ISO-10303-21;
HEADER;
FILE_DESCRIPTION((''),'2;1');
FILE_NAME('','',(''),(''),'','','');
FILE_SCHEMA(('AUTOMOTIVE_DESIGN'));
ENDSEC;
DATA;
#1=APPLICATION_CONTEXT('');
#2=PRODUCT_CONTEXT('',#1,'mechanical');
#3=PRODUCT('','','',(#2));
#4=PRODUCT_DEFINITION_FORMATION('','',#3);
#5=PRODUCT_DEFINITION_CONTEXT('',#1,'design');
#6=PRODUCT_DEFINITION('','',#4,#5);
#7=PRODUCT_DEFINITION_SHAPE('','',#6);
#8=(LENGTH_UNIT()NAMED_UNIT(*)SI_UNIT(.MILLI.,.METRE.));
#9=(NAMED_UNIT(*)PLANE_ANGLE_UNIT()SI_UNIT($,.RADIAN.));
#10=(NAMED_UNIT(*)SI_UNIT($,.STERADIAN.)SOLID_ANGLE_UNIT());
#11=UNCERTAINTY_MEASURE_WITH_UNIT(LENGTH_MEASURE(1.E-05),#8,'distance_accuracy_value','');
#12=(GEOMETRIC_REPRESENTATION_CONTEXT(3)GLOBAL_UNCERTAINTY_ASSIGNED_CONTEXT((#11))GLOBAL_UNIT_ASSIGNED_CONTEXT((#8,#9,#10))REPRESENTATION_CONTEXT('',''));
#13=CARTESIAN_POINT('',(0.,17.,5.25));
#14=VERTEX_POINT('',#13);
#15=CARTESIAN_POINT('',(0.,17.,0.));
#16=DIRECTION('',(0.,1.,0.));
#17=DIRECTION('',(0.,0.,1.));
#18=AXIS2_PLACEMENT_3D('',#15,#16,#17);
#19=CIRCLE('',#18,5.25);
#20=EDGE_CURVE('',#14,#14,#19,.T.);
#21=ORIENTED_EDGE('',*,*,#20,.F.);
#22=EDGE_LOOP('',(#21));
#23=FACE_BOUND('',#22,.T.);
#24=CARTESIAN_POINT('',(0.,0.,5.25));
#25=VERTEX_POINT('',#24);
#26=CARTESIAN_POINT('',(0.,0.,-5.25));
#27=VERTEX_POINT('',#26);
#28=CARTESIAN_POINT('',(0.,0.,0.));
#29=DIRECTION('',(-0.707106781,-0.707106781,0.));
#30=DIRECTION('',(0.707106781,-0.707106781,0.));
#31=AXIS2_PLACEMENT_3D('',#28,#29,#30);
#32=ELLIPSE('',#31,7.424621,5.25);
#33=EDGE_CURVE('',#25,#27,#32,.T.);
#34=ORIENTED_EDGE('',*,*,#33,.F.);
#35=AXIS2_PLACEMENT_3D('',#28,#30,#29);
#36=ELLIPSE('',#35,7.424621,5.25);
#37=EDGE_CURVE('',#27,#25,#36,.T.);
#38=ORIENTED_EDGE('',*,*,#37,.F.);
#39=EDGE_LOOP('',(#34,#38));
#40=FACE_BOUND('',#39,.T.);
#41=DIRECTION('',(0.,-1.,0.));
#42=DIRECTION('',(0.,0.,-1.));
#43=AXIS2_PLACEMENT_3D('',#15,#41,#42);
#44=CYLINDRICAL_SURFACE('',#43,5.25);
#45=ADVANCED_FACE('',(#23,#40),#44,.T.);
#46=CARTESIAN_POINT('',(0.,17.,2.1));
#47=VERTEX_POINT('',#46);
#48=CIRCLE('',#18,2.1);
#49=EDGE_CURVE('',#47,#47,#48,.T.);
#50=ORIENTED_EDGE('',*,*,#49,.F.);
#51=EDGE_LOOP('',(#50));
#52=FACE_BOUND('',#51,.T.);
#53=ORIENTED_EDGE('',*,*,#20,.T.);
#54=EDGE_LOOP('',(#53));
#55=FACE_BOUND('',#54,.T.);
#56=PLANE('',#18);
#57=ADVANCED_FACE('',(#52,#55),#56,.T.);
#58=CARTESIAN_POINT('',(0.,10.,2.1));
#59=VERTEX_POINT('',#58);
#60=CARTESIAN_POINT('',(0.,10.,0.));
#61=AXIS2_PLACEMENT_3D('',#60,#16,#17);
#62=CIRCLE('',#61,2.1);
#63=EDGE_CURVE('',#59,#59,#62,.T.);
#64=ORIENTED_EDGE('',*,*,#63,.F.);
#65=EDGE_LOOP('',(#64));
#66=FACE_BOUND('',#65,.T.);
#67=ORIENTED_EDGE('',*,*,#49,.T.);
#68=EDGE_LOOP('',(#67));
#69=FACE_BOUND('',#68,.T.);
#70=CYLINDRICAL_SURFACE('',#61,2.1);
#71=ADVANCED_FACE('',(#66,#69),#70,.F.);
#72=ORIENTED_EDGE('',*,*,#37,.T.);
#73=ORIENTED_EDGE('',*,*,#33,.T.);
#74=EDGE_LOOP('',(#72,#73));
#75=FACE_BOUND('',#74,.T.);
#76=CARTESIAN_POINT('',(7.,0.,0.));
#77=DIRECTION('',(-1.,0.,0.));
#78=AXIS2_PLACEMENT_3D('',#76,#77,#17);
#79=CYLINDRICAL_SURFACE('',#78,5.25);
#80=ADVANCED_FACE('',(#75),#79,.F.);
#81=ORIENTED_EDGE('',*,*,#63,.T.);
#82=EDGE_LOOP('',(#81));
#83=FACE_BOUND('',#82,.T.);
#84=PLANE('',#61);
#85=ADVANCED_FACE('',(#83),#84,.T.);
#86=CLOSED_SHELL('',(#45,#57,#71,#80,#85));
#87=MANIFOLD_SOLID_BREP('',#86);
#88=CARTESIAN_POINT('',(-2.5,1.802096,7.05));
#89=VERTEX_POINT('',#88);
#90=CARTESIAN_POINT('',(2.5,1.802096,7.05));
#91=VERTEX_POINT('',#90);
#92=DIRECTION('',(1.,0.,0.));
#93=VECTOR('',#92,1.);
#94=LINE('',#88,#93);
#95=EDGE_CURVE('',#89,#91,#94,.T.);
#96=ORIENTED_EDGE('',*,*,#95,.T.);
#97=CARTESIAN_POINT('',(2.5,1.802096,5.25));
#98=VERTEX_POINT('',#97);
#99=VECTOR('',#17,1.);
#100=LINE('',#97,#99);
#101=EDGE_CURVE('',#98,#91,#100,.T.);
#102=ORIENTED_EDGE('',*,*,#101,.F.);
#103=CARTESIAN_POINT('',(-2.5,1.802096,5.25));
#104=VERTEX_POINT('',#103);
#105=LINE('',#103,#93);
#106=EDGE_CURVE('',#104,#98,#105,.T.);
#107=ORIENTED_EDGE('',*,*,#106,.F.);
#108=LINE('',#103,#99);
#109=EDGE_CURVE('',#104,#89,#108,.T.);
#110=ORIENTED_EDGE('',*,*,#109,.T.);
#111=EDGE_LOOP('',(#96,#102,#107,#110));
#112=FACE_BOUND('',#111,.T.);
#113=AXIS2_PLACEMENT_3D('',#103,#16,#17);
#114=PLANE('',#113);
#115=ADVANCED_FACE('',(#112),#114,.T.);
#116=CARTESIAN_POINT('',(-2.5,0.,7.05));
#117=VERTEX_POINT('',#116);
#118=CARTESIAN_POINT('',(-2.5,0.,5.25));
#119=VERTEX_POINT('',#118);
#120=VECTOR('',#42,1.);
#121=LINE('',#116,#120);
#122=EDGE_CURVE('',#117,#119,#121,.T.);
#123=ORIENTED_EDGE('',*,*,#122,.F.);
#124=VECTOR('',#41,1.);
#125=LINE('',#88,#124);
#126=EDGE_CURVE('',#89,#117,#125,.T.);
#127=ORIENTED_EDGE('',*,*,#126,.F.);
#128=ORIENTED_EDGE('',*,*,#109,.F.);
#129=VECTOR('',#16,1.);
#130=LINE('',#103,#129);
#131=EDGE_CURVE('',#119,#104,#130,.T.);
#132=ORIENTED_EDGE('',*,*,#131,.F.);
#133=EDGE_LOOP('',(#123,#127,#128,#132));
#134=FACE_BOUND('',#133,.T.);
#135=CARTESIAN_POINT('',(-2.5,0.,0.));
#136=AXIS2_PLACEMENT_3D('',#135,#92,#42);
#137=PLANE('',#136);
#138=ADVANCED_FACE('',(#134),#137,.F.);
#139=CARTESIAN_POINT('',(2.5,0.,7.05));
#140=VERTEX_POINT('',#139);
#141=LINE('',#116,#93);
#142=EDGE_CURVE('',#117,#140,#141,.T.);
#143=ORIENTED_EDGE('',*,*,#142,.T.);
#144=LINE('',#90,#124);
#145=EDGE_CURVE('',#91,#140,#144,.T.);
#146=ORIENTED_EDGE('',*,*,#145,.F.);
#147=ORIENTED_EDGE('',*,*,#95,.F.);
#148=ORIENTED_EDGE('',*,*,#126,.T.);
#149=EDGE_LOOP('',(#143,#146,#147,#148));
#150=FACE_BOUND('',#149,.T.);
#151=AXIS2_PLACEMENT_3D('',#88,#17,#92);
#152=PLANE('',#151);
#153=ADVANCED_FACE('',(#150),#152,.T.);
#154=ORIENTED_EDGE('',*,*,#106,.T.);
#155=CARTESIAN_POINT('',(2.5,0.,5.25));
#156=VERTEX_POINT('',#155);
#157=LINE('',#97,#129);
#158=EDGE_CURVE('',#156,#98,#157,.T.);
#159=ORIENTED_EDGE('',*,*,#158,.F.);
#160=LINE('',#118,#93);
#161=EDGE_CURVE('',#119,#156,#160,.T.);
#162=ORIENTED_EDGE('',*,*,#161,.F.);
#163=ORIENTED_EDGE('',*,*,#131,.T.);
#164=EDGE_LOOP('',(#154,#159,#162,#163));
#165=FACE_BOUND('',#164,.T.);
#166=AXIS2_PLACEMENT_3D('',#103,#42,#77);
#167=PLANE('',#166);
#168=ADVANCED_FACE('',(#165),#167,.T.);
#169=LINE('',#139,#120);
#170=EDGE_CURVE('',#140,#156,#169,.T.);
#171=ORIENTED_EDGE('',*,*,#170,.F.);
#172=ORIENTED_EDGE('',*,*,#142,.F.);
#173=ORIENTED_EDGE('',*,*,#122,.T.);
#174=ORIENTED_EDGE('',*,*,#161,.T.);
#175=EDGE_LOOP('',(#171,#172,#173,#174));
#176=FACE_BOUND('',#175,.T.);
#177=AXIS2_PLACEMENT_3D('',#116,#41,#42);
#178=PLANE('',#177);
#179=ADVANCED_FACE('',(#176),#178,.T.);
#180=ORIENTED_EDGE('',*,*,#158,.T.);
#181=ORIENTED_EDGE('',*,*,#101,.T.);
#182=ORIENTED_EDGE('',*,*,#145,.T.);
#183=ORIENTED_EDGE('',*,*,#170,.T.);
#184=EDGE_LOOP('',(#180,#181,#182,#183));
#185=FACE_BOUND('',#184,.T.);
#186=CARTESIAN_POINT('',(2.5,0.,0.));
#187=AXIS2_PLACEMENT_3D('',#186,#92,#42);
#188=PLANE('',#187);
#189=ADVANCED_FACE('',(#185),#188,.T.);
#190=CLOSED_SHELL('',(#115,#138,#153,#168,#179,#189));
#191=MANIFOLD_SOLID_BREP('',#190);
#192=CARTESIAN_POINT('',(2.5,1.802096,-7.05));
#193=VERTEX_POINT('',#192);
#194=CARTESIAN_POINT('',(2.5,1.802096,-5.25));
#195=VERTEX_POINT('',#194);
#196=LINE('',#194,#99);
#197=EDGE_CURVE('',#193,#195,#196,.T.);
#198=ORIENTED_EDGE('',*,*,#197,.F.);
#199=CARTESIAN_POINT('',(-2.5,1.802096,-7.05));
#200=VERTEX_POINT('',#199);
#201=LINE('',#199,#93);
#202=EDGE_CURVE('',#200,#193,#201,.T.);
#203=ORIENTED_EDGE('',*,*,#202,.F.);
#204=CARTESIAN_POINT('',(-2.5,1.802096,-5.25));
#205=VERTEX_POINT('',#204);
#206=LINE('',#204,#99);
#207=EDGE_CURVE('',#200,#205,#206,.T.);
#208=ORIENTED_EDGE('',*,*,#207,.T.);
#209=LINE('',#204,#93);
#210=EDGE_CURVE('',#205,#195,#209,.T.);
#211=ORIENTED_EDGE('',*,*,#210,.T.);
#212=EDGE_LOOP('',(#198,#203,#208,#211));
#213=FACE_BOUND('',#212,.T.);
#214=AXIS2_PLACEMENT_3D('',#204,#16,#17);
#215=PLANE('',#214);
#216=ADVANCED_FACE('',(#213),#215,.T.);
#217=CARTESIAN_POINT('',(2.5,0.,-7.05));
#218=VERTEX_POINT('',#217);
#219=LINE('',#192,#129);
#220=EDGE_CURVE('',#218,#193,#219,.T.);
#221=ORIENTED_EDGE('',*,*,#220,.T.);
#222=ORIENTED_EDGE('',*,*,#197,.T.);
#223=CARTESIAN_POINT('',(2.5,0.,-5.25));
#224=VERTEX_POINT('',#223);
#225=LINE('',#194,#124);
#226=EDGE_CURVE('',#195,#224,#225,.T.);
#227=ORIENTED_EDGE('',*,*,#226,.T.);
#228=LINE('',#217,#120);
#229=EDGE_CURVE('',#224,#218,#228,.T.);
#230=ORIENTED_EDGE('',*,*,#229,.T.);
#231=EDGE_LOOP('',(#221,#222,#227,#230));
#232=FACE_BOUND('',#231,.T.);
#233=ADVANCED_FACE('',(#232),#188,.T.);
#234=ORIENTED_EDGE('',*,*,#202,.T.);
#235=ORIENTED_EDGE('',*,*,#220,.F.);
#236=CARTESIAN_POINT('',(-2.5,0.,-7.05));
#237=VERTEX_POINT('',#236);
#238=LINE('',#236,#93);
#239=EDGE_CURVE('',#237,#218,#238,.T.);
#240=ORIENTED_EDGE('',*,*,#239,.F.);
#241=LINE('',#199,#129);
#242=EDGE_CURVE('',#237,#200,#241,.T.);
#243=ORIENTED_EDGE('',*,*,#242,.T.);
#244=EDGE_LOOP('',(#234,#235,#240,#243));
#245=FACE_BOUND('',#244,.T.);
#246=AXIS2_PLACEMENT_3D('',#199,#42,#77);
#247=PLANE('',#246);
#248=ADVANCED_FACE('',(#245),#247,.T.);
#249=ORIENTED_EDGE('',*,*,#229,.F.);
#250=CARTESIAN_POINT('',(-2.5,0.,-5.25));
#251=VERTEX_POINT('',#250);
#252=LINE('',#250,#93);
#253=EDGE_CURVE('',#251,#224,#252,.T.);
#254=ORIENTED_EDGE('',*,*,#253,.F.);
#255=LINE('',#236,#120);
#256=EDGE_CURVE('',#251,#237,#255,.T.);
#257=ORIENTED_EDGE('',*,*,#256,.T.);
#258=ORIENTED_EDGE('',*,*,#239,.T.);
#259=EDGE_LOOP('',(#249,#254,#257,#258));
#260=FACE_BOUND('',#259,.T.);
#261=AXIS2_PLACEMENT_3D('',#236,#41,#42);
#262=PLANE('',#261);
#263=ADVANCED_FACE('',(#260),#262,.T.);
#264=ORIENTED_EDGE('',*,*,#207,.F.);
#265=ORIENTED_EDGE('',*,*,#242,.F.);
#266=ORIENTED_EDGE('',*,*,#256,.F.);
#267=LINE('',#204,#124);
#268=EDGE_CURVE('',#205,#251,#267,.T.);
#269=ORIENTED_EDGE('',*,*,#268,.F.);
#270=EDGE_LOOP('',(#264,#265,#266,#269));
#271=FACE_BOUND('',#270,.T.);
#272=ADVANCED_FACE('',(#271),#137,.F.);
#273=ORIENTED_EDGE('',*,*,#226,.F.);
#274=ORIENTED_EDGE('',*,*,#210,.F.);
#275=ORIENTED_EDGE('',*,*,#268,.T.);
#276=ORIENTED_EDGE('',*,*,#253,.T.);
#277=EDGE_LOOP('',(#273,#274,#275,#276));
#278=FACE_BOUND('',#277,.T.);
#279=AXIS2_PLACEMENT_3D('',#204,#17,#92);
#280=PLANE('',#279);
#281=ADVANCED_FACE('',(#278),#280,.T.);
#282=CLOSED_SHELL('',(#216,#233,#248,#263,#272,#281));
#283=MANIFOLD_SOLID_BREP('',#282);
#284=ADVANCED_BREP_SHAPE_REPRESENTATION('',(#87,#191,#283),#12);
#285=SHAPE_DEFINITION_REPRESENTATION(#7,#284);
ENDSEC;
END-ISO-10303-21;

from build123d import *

# Parameters (mm, degrees)
SKETCH2_R                  = 5.25
BOSS_EXTRUDE1_DEPTH        = 17
SKETCH3_R                  = 2.1
CUT_EXTRUDE1_DEPTH         = 7
CUT_EXTRUDE3_DEPTH         = 7
CUT_EXTRUDE3_DEPTH_BACK    = 7
SKETCH4_R                  = 5.25
BOSS_EXTRUDE2_DEPTH        = 2.5
BOSS_EXTRUDE2_DEPTH_BACK   = 2.5
SKETCH5_W                  = 1.8
SKETCH5_H                  = 1.802095862
BOSS_EXTRUDE2_2_DEPTH      = 2.5
BOSS_EXTRUDE2_2_DEPTH_BACK = 2.5


with BuildPart() as part:
    # Sketch2 → Boss-Extrude1 (new body)
    with BuildSketch(Plane(origin=(0, 0, 0), x_dir=(1, 0, 0), z_dir=(0, 1, 0))):
        Circle(SKETCH2_R)
    extrude(amount=BOSS_EXTRUDE1_DEPTH)

    # Sketch3 → Cut-Extrude1 (cut)
    with BuildSketch(Plane(origin=(0, 17, 0), x_dir=(1, 0, 0), z_dir=(0, 1, 0))):
        Circle(SKETCH3_R)
    extrude(amount=-CUT_EXTRUDE1_DEPTH, mode=Mode.SUBTRACT)

    # Sketch4 → Cut-Extrude3 (cut, two sides: drawn at the far end of the back side and taken through both)
    with BuildSketch(Plane(origin=(0, 0, 0), x_dir=(0, 0, -1), z_dir=(1, 0, 0)).offset(-CUT_EXTRUDE3_DEPTH_BACK)):
        Circle(SKETCH4_R)
    extrude(amount=CUT_EXTRUDE3_DEPTH + CUT_EXTRUDE3_DEPTH_BACK, mode=Mode.SUBTRACT)


with BuildPart() as body_2:
    # Sketch5 → Boss-Extrude2 (new, two sides: drawn at the far end of the back side and taken through both)
    with BuildSketch(Plane(origin=(0, 0, 0), x_dir=(0, 0, -1), z_dir=(1, 0, 0)).offset(-BOSS_EXTRUDE2_DEPTH_BACK)):
        with Locations((6.15, 0.901047931)):
            Rectangle(SKETCH5_W, SKETCH5_H)
    extrude(amount=BOSS_EXTRUDE2_DEPTH + BOSS_EXTRUDE2_DEPTH_BACK)


with BuildPart() as body_3:
    # Sketch5 → Boss-Extrude2 2 (new, two sides: drawn at the far end of the back side and taken through both)
    with BuildSketch(Plane(origin=(0, 0, 0), x_dir=(0, 0, -1), z_dir=(1, 0, 0)).offset(-BOSS_EXTRUDE2_2_DEPTH_BACK)):
        with Locations((-6.15, 0.901047931)):
            Rectangle(SKETCH5_W, SKETCH5_H)
    extrude(amount=BOSS_EXTRUDE2_2_DEPTH + BOSS_EXTRUDE2_2_DEPTH_BACK)


solid = Compound([part.part, body_2.part, body_3.part])
